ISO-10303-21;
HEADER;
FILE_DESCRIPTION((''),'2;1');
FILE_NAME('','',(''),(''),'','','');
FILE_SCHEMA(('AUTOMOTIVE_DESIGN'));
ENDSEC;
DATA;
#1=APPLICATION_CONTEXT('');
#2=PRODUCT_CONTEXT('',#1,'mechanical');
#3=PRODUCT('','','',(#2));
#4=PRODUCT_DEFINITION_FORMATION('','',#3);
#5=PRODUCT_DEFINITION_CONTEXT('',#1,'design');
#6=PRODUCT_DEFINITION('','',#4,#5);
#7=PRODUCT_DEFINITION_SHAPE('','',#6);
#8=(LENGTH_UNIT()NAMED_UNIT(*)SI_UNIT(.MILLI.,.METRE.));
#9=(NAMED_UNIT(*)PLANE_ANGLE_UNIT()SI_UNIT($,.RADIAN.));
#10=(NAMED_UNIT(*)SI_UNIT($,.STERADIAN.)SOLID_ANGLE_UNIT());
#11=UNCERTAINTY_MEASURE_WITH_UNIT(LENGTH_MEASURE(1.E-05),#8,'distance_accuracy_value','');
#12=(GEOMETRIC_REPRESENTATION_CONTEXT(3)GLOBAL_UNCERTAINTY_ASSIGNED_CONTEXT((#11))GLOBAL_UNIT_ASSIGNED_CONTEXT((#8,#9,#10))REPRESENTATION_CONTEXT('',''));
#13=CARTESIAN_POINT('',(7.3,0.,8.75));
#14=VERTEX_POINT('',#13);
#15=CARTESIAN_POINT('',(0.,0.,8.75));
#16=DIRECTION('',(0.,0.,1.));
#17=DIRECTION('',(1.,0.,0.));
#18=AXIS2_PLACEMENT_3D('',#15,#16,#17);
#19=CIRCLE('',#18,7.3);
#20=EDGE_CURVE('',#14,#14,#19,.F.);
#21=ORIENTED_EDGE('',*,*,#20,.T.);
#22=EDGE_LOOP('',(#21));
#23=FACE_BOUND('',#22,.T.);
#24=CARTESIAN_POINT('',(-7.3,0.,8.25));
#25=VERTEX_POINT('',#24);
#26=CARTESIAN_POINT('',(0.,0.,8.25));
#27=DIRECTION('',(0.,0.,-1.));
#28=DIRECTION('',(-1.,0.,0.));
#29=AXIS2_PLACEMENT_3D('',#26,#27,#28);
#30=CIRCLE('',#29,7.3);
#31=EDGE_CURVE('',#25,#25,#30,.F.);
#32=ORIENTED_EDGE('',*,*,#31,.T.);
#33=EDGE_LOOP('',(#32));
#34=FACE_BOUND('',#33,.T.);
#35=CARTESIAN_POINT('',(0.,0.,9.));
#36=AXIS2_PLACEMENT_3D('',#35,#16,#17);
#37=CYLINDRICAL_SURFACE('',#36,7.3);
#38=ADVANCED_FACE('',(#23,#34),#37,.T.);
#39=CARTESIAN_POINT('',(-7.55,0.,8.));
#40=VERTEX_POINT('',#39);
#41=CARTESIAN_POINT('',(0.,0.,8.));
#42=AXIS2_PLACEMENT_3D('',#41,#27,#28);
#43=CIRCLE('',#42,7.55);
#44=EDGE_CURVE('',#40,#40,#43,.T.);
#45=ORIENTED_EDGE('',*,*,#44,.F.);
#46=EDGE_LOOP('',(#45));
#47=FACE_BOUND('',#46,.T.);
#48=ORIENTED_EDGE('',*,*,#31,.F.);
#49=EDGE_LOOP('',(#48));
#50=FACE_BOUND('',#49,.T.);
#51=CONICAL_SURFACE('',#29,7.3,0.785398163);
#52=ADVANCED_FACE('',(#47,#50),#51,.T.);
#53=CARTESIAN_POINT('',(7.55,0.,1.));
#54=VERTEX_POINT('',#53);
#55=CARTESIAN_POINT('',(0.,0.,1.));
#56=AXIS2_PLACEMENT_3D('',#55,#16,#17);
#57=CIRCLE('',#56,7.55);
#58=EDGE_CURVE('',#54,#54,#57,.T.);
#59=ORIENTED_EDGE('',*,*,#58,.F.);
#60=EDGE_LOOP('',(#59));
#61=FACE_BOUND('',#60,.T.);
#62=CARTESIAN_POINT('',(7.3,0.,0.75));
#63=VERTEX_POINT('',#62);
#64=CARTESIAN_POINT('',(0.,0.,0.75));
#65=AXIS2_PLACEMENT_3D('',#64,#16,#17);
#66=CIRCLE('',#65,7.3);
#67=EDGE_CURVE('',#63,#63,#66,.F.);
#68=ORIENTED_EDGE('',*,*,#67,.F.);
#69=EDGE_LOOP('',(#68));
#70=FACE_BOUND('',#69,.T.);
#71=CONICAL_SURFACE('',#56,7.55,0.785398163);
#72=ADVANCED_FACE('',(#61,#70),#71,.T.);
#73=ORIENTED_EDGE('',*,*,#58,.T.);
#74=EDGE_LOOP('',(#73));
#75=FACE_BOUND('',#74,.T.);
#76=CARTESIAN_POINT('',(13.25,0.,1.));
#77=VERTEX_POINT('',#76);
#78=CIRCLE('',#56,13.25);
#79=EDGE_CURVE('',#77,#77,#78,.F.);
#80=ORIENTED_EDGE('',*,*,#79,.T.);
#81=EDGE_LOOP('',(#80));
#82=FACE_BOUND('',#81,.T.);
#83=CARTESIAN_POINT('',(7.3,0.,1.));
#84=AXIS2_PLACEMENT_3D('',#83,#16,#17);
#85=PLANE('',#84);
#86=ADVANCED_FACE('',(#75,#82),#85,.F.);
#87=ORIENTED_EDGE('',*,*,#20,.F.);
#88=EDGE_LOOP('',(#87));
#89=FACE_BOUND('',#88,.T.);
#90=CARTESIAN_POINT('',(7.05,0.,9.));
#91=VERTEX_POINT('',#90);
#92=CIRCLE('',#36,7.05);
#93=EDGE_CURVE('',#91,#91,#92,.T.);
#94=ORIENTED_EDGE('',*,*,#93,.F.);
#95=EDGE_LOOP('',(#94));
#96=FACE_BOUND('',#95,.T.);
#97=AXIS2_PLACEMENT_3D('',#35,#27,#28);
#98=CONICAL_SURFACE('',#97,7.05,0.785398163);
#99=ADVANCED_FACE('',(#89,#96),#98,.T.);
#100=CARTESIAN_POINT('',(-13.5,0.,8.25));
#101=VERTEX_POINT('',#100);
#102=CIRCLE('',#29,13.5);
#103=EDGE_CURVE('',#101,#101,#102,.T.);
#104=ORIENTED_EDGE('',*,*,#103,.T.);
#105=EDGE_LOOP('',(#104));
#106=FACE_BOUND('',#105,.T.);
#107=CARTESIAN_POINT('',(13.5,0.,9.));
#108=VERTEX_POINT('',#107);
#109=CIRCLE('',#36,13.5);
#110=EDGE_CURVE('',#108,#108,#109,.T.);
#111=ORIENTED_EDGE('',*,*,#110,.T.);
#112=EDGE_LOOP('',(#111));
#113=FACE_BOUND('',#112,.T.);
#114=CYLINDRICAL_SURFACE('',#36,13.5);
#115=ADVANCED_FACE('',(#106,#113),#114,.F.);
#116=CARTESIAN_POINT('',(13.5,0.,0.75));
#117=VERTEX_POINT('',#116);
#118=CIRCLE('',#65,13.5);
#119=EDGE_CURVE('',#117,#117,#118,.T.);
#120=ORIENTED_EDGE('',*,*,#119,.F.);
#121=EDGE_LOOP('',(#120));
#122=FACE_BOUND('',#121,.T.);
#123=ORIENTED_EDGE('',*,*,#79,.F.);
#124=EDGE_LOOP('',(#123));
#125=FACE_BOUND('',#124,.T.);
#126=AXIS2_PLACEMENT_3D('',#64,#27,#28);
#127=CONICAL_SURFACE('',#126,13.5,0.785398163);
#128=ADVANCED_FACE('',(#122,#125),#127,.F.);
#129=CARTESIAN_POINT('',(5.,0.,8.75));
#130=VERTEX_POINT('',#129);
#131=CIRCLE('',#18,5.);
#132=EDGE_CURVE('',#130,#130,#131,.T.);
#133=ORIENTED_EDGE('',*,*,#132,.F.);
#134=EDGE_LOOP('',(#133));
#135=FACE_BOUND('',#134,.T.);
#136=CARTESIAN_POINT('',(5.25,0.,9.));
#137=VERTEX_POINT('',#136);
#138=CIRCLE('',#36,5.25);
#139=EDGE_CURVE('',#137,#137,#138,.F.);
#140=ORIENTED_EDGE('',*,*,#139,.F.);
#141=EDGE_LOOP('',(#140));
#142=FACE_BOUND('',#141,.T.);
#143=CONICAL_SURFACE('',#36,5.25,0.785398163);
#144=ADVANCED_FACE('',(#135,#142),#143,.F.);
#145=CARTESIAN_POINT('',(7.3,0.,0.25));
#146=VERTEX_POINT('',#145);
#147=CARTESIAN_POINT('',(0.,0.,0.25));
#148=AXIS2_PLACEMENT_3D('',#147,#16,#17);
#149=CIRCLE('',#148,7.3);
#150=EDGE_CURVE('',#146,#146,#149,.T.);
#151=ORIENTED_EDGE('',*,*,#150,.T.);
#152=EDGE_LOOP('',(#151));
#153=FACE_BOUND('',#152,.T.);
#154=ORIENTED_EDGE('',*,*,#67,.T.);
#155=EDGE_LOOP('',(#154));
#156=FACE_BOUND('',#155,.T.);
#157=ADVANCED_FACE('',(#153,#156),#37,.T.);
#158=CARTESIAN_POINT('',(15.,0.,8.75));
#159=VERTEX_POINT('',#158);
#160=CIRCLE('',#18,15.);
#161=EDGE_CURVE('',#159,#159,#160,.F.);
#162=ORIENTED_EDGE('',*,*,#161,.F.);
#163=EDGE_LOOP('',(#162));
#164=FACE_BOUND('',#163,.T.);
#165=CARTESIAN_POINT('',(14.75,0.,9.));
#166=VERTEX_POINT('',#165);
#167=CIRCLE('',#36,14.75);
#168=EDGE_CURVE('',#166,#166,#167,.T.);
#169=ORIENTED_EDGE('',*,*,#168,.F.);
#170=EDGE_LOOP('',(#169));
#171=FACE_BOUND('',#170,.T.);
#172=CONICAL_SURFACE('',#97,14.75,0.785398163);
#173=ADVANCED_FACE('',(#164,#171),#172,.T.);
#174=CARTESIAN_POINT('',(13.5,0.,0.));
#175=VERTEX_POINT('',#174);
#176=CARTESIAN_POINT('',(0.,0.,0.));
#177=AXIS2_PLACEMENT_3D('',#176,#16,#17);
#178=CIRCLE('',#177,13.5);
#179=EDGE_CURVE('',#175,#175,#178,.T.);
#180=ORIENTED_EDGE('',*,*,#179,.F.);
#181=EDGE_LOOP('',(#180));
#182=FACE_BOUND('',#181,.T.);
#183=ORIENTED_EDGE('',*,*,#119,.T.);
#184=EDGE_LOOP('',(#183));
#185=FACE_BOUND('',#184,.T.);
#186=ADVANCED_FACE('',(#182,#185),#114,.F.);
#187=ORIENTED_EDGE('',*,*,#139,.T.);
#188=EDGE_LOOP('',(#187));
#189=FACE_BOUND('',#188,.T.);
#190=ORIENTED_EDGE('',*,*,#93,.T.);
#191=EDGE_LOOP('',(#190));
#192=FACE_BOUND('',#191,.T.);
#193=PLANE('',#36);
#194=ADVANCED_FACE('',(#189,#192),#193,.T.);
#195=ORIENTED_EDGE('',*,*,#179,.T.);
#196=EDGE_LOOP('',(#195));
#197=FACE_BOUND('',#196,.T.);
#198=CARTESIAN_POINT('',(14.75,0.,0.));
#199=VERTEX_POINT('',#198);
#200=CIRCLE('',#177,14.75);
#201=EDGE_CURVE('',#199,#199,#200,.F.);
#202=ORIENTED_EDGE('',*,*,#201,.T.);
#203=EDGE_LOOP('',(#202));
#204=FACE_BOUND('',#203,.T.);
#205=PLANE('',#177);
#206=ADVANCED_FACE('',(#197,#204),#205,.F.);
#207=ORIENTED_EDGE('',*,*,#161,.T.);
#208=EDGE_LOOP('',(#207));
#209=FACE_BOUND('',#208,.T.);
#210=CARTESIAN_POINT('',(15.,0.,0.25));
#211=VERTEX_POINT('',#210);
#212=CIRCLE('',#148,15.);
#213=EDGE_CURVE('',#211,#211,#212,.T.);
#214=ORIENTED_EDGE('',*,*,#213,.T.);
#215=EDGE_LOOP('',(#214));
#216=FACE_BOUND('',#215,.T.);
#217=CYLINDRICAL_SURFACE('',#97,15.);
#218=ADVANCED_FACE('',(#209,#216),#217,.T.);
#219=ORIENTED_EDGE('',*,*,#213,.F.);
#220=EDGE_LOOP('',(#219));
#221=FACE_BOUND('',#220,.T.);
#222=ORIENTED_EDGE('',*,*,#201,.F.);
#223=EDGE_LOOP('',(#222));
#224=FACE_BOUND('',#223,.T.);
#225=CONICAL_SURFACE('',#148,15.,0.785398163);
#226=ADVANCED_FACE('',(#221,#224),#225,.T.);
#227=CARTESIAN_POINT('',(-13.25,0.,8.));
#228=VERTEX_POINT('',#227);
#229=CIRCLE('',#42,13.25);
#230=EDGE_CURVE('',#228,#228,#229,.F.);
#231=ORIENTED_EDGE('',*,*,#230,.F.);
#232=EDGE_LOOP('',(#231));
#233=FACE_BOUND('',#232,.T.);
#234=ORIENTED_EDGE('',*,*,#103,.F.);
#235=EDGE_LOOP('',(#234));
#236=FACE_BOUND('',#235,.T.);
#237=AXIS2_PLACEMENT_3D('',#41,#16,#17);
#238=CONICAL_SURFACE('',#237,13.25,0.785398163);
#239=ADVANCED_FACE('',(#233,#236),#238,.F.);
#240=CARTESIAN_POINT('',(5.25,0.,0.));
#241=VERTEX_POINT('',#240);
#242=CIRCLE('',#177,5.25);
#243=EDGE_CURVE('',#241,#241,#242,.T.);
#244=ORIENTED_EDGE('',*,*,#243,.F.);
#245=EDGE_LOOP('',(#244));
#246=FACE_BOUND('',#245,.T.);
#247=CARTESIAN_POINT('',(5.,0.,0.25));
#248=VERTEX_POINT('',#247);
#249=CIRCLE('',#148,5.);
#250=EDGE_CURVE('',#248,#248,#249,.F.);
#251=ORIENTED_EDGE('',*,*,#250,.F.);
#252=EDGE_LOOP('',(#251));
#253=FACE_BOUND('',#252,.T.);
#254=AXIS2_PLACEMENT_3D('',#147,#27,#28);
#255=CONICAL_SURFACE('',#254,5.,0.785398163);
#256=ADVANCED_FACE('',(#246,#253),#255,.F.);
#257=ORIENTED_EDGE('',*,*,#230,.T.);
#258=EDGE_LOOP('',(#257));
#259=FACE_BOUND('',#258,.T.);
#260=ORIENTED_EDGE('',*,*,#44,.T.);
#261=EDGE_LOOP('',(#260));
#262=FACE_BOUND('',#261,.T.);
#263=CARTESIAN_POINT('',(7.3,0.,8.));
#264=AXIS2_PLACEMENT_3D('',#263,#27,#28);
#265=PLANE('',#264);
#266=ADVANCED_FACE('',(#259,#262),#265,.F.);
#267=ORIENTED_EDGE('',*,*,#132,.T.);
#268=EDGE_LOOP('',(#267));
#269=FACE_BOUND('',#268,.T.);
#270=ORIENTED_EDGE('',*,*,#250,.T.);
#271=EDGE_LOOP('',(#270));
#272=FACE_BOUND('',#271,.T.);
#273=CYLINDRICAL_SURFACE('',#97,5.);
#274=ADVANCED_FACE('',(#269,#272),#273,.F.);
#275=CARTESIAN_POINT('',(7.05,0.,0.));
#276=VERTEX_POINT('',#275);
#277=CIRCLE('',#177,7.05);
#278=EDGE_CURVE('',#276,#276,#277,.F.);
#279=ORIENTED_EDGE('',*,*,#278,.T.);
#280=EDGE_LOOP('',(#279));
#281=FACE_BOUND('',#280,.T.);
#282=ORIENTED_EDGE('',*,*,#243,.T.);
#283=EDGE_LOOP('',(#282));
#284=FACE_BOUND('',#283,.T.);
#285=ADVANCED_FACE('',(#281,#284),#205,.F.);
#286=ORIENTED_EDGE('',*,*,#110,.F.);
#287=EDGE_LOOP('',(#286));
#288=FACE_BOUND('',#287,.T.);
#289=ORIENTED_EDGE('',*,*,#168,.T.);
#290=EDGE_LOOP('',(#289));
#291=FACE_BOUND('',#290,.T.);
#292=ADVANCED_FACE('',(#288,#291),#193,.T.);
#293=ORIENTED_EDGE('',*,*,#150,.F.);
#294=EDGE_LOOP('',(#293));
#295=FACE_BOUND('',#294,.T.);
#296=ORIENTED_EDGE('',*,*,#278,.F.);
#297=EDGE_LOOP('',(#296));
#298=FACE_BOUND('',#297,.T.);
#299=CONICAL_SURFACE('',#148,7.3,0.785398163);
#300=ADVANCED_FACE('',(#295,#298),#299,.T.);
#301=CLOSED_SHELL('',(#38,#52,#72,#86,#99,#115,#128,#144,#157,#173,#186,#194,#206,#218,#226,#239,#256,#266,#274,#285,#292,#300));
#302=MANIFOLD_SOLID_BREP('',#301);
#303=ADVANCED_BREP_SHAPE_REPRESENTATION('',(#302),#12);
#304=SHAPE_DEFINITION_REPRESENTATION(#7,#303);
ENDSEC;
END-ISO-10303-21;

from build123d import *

# Parameters (mm, degrees)
SKETCH_1_R          = 15
EXTRUDE_1_DEPTH     = 9
SKETCH_2_R          = 5
CUT_EXTRUDE_1_DEPTH = 10
SKETCH_3_W          = 6.2
SKETCH_3_H          = 1
CHAMFER_1_SIZE      = 0.25


with BuildPart() as part:
    # Эскиз1 → Бобышка-Вытянуть1 (new body)
    with BuildSketch(Plane.XY):
        Circle(SKETCH_1_R)
    extrude(amount=EXTRUDE_1_DEPTH)

    # Эскиз2 → Вырез-Вытянуть1 (cut, through all)
    with BuildSketch(Plane(origin=(0, 0, 0), x_dir=(-1, 0, 0), z_dir=(0, 0, -1))):
        Circle(SKETCH_2_R)
    extrude(amount=-CUT_EXTRUDE_1_DEPTH, mode=Mode.SUBTRACT)

    # Эскиз3 → Вырез-Повернуть1 (revolve, cut)
    with BuildSketch(Plane(origin=(0, 0, 0), x_dir=(1, 0, 0), z_dir=(0, 1, 0))):
        with Locations((10.4, -8.5)):
            Rectangle(SKETCH_3_W, SKETCH_3_H)
        with Locations((10.4, -0.5)):
            Rectangle(SKETCH_3_W, SKETCH_3_H)
    revolve(axis=Axis((0, 0, 9), (0, 0, -1)), mode=Mode.SUBTRACT)

    # Фаска1
    chamfer_1_edges = [part.edges().sort_by_distance(p)[0] for p in [
        (-7.3, 0, 9),
        (-7.3, 0, 8),
        (-13.5, 0, 8),
        (-7.3, 0, 1),
        (-13.5, 0, 1),
        (-7.3, 0, 0),
        (-15, 0, 0),
        (-15, 0, 9),
        (5, 0, 9),
        (5, 0, 0),
    ]]
    chamfer(chamfer_1_edges, length=CHAMFER_1_SIZE)


solid = part.part
